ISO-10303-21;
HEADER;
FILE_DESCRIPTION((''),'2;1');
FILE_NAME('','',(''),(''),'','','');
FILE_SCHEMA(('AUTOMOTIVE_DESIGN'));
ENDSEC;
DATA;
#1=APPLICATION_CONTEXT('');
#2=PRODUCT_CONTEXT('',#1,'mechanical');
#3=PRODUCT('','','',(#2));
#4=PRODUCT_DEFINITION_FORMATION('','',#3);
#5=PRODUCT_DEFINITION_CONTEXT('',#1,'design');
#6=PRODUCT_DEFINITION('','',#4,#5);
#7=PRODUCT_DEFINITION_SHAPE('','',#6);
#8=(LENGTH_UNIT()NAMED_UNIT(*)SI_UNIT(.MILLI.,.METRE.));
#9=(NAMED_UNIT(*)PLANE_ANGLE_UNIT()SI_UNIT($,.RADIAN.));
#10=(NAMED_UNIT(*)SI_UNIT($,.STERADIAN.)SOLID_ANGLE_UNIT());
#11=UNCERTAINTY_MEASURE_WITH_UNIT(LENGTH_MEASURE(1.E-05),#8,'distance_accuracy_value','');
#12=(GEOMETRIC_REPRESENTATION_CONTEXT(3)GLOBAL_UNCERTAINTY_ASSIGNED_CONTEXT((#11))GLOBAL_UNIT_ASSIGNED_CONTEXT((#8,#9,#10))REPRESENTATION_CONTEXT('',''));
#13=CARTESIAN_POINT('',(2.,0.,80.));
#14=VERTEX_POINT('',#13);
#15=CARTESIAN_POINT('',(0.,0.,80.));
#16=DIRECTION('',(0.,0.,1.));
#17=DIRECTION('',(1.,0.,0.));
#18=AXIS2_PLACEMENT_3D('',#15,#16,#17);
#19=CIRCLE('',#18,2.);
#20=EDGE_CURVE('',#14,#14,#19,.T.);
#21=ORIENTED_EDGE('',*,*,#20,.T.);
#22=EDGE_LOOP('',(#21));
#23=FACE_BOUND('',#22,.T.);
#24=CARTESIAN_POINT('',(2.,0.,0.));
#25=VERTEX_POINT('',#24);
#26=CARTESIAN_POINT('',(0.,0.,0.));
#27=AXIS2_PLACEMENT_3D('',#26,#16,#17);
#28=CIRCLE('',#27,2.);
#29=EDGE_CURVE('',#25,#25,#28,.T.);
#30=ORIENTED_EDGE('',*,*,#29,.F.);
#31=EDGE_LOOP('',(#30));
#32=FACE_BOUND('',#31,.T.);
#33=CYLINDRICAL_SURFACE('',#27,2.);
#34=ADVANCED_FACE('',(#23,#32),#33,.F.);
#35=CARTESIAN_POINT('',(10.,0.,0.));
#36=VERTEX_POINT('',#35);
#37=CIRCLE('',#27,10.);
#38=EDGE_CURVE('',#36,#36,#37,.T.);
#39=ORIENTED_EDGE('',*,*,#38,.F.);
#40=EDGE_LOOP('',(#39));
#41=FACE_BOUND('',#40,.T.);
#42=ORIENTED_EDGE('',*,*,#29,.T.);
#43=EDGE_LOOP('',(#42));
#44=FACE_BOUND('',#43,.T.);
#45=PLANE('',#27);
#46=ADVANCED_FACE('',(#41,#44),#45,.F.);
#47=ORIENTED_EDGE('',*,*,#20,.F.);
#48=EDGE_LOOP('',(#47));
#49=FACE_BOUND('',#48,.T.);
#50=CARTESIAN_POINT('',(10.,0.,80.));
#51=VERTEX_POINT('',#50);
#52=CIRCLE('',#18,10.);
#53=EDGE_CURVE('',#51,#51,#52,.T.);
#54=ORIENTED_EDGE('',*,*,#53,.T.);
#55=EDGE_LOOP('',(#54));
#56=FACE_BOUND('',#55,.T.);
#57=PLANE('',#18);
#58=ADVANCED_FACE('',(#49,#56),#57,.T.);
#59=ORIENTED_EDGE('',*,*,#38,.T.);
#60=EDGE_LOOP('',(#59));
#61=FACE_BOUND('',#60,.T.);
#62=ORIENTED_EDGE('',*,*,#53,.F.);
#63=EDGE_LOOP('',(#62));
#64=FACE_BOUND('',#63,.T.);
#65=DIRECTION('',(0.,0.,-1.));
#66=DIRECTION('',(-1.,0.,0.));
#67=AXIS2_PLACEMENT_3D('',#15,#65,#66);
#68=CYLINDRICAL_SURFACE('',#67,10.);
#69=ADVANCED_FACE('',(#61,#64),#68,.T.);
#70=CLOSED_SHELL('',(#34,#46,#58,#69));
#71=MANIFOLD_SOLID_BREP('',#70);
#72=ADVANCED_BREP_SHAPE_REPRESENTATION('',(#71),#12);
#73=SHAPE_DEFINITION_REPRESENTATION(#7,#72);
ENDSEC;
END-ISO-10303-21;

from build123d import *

# Parameters (mm, degrees)
IZIM1_R                     = 10
Y_KSEKLIK_EKSTR_ZYON1_DEPTH = 80
IZIM2_R                     = 2
KES_EKSTR_ZYON1_DEPTH       = 80


with BuildPart() as part:
    # Çizim1 → Yükseklik-Ekstrüzyon1 (new body)
    with BuildSketch(Plane.XY):
        Circle(IZIM1_R)
    extrude(amount=Y_KSEKLIK_EKSTR_ZYON1_DEPTH)

    # Çizim2 → Kes-Ekstrüzyon1 (cut)
    with BuildSketch(Plane.XY.offset(80)):
        Circle(IZIM2_R)
    extrude(amount=-KES_EKSTR_ZYON1_DEPTH, mode=Mode.SUBTRACT)


solid = part.part
